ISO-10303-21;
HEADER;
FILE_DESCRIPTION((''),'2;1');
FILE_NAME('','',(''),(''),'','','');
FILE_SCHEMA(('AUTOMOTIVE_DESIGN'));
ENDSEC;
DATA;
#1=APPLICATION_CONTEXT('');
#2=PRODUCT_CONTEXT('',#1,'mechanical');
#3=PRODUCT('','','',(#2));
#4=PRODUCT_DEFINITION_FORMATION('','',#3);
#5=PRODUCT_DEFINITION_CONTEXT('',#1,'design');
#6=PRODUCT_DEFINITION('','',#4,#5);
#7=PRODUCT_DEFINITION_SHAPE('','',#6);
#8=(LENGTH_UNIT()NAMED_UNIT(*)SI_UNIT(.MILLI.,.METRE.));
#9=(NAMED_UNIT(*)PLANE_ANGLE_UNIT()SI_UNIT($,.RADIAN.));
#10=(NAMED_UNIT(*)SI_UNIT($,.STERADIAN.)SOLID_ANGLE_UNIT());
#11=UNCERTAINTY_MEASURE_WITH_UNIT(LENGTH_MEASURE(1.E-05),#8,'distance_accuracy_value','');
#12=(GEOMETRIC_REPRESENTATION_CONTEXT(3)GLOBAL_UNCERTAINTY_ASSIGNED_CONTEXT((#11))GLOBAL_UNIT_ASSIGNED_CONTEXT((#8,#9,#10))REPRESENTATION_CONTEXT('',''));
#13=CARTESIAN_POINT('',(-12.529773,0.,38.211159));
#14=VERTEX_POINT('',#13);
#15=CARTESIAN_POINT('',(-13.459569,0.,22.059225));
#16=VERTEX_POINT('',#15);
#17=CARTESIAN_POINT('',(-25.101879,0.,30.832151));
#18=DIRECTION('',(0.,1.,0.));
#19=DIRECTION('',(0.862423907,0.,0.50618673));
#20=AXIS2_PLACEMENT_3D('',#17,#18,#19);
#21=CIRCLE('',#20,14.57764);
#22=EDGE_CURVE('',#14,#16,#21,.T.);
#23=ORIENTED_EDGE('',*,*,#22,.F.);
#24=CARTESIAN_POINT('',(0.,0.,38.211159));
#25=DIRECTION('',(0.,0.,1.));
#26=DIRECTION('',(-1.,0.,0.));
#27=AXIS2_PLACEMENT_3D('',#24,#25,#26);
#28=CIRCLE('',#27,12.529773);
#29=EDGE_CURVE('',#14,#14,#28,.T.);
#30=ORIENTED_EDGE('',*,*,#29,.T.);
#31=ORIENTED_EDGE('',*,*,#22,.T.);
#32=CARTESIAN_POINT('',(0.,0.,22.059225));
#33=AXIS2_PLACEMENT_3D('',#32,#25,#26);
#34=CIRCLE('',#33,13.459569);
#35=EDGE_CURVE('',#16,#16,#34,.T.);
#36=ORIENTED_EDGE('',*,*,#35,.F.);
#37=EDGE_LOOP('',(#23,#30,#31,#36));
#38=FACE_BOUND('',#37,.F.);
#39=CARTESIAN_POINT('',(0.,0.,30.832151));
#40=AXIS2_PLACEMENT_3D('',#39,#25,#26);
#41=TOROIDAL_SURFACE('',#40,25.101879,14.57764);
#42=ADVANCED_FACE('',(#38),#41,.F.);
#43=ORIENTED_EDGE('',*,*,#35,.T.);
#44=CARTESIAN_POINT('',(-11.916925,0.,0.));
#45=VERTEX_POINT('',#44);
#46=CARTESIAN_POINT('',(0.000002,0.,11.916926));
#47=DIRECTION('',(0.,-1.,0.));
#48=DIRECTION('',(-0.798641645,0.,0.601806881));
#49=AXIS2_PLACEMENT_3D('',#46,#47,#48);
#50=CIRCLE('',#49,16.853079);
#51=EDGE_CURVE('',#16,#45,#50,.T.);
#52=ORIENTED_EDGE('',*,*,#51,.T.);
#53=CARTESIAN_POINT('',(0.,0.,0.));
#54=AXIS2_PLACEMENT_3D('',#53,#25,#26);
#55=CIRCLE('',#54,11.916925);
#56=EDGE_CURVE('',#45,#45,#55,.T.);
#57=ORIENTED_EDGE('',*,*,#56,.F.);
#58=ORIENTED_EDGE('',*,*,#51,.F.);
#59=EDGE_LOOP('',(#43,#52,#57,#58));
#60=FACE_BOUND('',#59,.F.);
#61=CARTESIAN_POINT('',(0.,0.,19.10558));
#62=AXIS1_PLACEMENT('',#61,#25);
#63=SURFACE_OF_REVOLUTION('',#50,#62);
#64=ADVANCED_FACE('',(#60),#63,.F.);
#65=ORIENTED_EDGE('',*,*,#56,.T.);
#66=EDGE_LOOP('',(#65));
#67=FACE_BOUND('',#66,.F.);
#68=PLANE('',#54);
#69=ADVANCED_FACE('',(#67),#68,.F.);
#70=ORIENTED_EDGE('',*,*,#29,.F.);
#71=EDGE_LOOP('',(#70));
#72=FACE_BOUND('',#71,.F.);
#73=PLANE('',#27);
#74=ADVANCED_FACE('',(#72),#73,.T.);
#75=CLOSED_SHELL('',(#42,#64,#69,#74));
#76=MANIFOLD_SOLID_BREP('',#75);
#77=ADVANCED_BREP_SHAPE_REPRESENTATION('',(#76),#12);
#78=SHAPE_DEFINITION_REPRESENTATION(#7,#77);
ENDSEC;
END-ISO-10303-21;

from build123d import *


with BuildPart() as f1:
    # F0 (on Front) → F1 (revolve)
    with BuildSketch(Plane.XZ):
        with BuildLine():
            Line((-11.916925, 0), (0, 0))
            Line((0, 0), (0, 38.211159))
            Line((0, 38.211159), (-12.529773, 38.211159))
            ThreePointArc((-12.529773, 38.211159), (-10.548332, 29.994367), (-13.459569, 22.059225))
            ThreePointArc((-13.459569, 22.059225), (-16.812018, 10.741229), (-11.916925, 0))
        make_face()
    revolve(axis=Axis((0, 0, 19.10558), (0, 0, 1)))


solid = f1.part
